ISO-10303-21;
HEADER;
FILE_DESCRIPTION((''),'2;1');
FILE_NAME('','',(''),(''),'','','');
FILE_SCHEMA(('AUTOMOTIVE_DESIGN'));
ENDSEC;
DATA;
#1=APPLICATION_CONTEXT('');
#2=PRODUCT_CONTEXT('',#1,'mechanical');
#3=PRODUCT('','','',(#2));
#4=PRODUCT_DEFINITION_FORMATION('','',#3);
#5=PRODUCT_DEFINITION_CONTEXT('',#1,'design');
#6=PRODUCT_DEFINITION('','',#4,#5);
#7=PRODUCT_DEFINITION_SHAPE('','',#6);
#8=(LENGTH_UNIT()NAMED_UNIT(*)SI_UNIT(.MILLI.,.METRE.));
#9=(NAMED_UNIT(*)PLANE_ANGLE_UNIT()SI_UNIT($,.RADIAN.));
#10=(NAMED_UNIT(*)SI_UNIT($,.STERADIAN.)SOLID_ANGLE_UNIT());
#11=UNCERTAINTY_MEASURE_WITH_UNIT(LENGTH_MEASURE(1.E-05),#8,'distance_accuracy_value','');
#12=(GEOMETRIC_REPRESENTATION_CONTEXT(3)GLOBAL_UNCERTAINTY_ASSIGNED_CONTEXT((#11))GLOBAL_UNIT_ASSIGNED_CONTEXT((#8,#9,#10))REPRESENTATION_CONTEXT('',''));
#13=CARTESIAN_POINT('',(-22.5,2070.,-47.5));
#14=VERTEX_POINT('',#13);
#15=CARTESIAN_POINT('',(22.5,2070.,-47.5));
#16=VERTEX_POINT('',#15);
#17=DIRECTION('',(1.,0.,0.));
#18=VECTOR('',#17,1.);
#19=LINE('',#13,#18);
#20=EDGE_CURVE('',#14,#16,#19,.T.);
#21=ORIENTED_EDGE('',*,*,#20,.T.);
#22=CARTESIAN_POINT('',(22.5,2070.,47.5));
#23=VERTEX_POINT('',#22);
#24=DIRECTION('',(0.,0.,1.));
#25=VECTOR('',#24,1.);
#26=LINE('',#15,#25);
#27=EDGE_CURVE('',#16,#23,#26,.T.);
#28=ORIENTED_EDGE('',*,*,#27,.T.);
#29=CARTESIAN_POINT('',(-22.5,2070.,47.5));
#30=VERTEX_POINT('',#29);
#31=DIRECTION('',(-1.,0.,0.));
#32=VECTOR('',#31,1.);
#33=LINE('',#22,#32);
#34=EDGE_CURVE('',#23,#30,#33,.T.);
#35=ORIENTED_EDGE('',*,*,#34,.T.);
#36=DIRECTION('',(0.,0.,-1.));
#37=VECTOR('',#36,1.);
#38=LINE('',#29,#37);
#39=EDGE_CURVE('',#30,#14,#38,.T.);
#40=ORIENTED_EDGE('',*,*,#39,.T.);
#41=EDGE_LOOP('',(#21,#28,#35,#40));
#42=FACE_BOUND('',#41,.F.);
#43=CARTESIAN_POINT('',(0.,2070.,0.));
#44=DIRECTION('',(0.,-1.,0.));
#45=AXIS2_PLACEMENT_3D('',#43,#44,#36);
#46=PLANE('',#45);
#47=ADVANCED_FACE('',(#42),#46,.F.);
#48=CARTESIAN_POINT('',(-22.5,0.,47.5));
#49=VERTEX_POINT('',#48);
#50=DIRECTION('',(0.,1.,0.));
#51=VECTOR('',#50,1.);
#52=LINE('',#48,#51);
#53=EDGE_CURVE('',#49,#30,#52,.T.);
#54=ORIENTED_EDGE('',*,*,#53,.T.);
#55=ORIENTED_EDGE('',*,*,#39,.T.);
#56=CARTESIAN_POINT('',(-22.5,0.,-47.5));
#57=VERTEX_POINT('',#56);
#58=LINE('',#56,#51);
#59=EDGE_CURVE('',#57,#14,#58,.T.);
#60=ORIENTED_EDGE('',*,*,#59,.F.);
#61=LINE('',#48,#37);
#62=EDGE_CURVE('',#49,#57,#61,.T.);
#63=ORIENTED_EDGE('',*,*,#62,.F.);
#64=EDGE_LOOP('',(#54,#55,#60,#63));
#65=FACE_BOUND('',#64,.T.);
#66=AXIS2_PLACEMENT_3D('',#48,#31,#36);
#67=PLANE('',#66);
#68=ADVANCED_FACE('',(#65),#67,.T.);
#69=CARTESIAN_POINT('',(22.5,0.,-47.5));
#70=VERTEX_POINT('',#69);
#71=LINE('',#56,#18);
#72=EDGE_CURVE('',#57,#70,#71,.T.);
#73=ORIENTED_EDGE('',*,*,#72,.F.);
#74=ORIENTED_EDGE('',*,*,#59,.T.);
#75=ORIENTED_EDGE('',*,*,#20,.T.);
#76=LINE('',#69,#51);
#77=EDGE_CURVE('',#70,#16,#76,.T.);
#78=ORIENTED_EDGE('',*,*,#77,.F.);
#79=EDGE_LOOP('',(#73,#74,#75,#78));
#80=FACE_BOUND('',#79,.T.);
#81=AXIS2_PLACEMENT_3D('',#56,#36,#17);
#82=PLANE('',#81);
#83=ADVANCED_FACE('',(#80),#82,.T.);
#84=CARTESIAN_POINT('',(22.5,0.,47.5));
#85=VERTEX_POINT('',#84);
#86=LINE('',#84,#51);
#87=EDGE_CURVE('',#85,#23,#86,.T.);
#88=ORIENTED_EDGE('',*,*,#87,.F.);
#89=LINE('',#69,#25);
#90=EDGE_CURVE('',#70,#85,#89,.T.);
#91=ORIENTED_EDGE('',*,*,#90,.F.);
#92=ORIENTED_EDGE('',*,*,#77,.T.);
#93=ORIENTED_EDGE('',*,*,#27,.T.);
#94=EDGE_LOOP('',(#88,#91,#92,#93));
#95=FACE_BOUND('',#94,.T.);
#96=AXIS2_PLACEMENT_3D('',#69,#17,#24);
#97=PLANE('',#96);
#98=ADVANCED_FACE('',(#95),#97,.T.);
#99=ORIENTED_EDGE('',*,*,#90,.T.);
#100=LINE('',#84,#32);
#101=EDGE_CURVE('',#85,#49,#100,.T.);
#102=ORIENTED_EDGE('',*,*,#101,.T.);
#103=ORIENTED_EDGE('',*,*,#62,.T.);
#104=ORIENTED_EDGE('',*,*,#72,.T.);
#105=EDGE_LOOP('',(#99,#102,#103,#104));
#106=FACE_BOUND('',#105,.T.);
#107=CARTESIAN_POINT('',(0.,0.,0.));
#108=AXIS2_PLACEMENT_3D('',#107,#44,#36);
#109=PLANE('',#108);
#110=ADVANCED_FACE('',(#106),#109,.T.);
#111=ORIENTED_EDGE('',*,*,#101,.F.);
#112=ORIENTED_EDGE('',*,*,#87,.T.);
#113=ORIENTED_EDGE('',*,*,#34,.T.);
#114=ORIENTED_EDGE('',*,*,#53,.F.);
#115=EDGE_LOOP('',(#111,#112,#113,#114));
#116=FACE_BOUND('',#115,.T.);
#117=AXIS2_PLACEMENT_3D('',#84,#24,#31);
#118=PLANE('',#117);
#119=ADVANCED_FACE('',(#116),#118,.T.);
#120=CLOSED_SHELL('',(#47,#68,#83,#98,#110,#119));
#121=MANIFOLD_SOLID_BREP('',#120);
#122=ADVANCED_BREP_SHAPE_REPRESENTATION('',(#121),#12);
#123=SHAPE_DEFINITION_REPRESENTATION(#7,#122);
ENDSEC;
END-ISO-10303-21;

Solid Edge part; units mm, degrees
sketch "Sketch1" plane through (0, 0, 0) normal (0, -1, 0) x (1, 0, 0)
  line L0 (-22.5, -47.5) -> (22.5, -47.5)
  line L1 (22.5, -47.5) -> (22.5, 47.5)
  line L2 (22.5, 47.5) -> (-22.5, 47.5)
  line L3 (-22.5, 47.5) -> (-22.5, -47.5)
extrude "Protrusion1" add sketch "Sketch1" against normal blind 2070
